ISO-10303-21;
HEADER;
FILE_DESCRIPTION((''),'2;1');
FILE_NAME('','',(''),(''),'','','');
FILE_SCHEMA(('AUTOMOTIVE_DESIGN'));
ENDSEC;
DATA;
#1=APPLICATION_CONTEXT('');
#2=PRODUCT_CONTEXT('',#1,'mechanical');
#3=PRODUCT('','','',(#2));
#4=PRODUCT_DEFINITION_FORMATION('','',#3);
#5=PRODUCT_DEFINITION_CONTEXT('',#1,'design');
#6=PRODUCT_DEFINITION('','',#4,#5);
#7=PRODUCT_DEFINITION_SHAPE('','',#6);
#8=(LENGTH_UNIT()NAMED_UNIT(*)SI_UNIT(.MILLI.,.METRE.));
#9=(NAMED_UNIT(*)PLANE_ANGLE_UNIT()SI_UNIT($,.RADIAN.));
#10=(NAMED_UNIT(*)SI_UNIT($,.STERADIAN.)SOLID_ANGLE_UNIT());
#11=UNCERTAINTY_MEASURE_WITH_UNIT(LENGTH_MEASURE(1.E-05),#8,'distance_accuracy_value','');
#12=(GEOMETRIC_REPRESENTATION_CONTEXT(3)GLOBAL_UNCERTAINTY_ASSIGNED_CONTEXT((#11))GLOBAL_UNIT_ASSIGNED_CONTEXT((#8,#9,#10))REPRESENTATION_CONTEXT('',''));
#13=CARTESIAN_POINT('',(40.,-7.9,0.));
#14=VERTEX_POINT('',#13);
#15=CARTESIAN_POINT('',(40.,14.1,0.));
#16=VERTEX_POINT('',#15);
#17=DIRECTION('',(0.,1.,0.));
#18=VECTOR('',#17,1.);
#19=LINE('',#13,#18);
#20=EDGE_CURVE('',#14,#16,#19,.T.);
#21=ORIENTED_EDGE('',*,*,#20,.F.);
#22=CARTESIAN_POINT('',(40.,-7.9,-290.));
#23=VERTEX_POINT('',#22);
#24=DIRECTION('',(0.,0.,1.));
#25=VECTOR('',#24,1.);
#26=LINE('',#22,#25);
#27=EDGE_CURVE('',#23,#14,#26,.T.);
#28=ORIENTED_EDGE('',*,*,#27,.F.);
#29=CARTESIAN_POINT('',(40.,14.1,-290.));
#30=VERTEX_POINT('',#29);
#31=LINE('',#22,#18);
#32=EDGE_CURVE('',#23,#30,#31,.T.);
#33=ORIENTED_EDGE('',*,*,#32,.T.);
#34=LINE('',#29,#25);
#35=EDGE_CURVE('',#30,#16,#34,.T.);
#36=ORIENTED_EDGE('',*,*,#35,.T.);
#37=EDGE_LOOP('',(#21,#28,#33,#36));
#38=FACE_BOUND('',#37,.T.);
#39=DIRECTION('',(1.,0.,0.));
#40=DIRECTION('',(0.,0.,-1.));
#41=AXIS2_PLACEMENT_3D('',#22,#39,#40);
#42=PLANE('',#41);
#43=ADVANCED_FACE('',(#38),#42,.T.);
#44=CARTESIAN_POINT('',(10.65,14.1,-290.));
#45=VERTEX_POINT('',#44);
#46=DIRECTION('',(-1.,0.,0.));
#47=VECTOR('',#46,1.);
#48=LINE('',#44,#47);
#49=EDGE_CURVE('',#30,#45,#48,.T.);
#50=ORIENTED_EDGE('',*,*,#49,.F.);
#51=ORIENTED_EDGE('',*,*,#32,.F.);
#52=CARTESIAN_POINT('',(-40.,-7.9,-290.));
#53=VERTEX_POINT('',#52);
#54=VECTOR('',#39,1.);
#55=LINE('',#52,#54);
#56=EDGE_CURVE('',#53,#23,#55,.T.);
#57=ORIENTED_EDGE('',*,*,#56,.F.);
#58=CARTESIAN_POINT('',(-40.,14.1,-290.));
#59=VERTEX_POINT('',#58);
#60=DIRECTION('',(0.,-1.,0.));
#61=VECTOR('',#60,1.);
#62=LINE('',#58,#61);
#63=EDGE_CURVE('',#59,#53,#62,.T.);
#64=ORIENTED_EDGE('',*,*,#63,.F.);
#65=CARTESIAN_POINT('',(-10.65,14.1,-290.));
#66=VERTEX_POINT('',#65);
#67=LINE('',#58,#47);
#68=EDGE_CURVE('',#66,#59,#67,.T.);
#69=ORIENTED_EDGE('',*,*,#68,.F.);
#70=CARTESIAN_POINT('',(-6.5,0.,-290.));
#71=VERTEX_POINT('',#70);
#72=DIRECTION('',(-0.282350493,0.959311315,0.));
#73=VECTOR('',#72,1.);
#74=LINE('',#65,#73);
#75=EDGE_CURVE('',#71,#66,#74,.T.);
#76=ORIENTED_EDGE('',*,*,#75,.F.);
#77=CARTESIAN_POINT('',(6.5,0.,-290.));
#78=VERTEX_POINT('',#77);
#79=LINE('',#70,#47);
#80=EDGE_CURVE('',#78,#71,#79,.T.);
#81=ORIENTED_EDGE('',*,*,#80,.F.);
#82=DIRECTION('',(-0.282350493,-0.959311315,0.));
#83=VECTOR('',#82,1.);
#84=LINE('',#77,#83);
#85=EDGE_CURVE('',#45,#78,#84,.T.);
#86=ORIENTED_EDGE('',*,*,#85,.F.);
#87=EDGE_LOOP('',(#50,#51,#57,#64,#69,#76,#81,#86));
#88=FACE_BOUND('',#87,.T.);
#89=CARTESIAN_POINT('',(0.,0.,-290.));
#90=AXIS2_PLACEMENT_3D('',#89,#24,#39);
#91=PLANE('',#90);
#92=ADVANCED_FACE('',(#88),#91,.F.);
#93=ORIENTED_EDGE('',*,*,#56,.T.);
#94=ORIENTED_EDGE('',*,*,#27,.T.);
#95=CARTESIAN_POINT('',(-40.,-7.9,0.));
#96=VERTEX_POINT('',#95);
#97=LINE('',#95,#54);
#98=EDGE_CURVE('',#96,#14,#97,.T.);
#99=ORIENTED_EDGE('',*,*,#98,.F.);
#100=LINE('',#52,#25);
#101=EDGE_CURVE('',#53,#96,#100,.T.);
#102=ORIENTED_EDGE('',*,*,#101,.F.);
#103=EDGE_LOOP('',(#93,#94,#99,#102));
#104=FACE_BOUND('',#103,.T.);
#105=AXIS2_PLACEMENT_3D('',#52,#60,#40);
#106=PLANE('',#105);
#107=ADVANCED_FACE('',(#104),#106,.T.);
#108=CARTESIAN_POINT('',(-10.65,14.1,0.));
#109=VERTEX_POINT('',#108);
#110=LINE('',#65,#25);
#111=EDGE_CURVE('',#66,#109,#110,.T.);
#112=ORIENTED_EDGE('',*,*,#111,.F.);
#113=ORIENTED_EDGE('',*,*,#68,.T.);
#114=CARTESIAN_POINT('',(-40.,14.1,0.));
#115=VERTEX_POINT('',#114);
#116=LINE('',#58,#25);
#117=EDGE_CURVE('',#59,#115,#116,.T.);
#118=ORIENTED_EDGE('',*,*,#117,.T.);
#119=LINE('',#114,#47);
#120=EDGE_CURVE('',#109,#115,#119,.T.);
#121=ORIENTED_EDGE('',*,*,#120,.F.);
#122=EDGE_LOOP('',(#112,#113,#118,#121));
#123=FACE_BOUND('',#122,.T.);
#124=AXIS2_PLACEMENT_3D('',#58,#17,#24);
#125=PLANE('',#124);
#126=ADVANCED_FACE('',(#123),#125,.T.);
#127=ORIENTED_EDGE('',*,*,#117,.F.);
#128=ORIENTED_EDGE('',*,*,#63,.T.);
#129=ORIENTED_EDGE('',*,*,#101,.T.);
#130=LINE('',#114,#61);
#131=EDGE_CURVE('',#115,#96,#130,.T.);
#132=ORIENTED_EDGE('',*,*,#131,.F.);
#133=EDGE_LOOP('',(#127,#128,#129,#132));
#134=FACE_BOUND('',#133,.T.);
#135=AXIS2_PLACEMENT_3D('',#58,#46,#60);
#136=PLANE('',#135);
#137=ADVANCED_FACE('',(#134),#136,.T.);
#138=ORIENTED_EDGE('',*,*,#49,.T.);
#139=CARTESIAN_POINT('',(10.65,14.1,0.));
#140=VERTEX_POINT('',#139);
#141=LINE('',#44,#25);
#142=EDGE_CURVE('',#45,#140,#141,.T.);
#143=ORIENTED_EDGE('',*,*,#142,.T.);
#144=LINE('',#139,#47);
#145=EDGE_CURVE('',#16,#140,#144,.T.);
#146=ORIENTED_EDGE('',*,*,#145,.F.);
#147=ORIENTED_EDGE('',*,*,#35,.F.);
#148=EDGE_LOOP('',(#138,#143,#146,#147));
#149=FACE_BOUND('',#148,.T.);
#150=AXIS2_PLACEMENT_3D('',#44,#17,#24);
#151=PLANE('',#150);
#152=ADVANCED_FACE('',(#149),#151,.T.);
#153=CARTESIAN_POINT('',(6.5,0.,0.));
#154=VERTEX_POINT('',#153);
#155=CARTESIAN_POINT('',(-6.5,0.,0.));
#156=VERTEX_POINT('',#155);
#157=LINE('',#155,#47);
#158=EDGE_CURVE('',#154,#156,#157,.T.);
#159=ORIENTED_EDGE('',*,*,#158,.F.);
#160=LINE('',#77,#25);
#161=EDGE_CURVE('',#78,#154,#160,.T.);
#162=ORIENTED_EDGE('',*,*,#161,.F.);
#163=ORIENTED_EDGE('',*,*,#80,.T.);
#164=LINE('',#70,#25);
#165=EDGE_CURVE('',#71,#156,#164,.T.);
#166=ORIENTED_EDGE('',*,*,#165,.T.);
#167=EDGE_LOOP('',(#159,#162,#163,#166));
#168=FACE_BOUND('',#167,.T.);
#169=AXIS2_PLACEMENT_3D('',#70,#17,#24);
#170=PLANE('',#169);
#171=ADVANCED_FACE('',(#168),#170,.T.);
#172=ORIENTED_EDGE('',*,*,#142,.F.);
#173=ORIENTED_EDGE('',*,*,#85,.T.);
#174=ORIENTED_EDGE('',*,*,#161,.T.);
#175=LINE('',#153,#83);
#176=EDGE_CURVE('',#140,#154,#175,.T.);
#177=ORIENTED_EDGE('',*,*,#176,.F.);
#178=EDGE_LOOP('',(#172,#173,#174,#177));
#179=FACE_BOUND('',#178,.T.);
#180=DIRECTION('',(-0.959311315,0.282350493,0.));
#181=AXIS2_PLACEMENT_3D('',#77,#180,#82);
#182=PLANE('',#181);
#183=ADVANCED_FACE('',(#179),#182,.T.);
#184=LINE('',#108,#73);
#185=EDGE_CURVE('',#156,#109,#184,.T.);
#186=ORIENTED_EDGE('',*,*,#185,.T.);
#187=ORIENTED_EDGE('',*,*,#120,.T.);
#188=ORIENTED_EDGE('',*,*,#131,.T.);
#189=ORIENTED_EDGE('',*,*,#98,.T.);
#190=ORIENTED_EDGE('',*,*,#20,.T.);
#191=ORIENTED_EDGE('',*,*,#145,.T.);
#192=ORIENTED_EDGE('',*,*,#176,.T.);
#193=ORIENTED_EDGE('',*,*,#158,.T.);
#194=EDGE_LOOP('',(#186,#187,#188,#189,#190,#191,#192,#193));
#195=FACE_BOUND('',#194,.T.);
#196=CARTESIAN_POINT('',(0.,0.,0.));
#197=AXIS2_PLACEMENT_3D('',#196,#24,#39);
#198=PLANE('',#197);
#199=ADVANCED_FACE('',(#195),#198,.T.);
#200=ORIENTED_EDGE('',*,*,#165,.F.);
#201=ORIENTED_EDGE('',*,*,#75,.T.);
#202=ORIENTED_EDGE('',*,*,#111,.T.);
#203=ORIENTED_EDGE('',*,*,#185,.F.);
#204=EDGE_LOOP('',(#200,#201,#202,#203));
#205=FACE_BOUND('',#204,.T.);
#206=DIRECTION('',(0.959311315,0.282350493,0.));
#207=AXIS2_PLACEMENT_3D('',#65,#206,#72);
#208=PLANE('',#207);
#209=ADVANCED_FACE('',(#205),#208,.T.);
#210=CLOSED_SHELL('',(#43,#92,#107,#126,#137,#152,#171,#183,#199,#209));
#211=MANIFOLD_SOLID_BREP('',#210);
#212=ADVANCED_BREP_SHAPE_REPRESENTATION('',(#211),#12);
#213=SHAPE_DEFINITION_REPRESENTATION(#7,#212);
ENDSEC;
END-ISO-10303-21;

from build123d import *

# Parameters (mm, degrees)
SALIENTE_EXTRUIR1_DEPTH = 290


with BuildPart() as part:
    # Croquis1 → Saliente-Extruir1 (new body)
    with BuildSketch(Plane.XY):
        Polygon((-6.5, 0), (6.5, 0), (10.65, 14.1), (40, 14.1), (40, -7.9), (-40, -7.9), (-40, 14.1), (-10.65, 14.1), align=None)
    extrude(amount=-SALIENTE_EXTRUIR1_DEPTH)


solid = part.part
